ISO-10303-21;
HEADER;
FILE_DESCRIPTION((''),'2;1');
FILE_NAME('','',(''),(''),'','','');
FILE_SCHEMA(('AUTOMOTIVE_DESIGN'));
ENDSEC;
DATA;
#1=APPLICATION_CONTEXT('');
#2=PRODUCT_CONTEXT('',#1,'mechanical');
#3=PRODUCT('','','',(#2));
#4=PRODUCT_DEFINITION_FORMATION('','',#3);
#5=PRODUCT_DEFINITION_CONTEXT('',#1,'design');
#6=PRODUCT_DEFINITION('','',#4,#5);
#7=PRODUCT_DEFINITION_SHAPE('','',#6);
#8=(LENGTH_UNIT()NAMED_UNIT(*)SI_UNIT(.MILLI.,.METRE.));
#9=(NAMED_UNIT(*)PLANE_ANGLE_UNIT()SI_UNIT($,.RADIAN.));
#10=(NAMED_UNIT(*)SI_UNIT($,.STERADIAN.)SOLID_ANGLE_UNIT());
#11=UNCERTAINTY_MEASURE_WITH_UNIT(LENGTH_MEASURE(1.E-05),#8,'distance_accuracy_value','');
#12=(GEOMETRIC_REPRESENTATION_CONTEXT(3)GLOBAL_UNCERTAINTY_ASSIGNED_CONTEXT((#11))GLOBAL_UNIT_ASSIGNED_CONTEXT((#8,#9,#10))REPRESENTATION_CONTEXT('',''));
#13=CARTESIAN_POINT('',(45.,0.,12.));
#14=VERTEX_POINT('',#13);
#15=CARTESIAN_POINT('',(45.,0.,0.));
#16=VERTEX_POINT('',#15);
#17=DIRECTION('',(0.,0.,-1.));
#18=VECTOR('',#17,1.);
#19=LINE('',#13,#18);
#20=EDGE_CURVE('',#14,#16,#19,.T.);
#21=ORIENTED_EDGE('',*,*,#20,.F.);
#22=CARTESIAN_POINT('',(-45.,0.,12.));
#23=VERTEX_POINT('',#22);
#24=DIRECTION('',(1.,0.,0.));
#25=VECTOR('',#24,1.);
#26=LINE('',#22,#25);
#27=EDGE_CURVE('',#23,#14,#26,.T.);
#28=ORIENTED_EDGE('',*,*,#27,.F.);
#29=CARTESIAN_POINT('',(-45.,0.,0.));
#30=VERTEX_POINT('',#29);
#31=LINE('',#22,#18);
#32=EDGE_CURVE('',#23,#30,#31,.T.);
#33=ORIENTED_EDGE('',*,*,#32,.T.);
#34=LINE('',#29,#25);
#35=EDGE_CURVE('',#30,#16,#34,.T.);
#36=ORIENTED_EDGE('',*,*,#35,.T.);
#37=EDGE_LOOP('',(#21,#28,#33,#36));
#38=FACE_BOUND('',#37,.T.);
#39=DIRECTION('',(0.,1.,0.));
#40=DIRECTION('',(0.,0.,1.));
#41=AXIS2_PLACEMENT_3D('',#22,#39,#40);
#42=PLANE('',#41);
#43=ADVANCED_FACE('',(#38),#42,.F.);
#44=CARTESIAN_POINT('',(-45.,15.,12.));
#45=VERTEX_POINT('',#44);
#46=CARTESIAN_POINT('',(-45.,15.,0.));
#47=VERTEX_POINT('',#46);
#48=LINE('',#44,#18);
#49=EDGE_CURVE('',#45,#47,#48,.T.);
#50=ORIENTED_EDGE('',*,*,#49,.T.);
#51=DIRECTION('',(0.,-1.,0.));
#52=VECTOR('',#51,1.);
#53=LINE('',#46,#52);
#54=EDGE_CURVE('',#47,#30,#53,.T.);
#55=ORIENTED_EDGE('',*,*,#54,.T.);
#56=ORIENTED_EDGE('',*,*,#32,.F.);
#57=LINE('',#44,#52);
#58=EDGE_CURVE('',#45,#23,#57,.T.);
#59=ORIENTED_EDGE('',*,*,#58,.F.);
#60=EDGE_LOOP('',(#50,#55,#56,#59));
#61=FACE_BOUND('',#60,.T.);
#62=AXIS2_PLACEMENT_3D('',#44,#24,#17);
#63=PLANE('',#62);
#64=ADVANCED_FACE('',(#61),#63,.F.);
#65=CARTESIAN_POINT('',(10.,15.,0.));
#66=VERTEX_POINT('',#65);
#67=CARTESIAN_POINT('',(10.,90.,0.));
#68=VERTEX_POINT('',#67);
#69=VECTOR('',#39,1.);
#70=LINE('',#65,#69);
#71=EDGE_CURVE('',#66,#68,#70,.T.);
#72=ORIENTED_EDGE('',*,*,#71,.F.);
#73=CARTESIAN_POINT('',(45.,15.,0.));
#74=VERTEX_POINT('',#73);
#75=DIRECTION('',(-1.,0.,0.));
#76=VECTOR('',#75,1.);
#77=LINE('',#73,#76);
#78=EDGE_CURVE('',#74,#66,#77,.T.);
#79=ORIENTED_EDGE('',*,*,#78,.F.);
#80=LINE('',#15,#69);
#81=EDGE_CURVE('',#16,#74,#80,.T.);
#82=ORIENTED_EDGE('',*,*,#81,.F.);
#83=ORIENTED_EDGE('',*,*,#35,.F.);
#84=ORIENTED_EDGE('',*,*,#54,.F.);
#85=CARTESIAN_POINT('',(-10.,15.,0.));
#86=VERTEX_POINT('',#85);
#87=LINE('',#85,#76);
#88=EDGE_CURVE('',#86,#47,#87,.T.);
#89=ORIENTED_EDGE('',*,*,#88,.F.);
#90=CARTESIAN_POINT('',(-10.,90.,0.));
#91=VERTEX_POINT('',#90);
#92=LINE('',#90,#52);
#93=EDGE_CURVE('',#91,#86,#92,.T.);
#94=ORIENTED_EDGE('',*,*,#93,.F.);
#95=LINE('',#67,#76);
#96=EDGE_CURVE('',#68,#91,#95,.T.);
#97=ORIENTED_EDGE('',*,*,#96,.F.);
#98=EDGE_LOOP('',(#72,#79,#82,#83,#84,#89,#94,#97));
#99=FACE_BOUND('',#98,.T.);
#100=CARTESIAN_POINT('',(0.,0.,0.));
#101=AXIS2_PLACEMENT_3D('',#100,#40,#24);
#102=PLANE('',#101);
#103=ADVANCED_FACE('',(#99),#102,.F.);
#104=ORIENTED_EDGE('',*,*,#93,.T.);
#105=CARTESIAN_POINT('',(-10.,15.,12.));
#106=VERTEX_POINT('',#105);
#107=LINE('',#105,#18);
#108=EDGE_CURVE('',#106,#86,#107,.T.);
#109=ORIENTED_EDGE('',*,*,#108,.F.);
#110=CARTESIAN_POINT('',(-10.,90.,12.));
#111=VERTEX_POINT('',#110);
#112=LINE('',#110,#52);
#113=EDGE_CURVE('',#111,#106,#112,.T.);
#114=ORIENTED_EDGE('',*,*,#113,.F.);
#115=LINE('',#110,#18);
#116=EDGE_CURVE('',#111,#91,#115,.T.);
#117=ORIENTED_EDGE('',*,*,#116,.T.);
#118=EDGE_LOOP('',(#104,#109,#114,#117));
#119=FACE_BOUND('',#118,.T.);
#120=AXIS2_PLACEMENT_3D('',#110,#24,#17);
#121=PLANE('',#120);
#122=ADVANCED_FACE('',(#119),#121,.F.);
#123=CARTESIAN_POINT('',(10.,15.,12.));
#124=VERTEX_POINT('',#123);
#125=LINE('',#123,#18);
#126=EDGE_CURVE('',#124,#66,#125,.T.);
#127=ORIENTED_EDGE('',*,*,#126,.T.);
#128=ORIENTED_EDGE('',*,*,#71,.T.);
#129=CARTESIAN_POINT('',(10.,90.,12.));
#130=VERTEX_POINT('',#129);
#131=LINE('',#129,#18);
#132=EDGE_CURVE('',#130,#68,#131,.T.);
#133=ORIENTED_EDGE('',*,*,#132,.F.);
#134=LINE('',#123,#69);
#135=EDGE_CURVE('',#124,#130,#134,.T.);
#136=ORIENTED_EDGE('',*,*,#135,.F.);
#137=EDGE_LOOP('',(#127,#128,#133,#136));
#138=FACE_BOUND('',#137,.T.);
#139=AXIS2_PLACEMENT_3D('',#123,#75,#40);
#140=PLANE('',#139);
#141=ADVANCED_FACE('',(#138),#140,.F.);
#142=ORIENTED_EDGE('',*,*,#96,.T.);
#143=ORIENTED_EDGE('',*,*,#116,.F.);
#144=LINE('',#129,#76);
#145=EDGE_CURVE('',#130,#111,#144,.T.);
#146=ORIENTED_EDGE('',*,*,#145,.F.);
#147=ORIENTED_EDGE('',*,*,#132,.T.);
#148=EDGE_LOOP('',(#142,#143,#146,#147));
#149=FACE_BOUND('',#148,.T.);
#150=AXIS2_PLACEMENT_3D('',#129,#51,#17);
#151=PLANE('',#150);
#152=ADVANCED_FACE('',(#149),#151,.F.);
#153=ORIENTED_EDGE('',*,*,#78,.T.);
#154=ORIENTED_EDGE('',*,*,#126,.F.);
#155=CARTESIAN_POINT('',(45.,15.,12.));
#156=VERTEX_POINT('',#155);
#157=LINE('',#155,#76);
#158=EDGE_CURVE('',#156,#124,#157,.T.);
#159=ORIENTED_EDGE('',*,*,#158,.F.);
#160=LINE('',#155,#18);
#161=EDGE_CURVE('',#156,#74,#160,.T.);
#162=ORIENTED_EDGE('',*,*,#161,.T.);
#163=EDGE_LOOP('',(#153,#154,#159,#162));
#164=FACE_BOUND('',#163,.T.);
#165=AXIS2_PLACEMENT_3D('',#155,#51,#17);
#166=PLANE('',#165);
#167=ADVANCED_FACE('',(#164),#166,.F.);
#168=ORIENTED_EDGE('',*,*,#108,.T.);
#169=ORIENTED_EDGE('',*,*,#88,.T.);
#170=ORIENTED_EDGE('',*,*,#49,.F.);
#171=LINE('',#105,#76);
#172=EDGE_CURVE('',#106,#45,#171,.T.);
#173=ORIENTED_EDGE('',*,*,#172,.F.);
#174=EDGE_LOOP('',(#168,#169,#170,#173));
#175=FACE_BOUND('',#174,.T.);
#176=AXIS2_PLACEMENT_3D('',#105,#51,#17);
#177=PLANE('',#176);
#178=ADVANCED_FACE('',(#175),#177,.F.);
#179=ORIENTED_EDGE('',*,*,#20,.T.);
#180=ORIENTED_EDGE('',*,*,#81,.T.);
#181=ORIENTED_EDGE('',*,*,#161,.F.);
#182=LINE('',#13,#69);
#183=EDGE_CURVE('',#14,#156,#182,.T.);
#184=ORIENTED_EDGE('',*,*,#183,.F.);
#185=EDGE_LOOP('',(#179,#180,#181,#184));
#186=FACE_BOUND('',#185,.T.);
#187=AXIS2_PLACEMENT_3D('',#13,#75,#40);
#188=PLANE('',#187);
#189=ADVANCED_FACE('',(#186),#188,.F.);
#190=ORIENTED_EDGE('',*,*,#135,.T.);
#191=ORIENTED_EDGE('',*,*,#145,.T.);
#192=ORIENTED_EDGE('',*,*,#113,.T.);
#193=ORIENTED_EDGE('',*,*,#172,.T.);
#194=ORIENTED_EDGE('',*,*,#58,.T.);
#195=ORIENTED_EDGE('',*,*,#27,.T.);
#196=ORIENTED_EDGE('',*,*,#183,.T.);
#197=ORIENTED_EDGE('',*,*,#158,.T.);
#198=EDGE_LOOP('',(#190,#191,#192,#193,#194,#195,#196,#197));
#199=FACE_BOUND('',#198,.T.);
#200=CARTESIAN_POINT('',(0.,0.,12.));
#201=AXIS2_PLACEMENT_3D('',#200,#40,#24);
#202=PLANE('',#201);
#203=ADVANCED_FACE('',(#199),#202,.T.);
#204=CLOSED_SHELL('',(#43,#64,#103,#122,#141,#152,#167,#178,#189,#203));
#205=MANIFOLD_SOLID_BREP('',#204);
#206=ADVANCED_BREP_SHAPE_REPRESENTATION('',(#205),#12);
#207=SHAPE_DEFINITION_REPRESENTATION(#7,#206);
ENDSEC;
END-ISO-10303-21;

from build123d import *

# Parameters (mm, degrees)
EXTRUDE_1_DEPTH = 12


with BuildPart() as part:
    # 草图1 → 凸台-拉伸1 (new body)
    with BuildSketch(Plane.XY):
        Polygon((-45, 0), (45, 0), (45, 15), (10, 15), (10, 90), (-10, 90), (-10, 15), (-45, 15), align=None)
    extrude(amount=EXTRUDE_1_DEPTH)


solid = part.part
